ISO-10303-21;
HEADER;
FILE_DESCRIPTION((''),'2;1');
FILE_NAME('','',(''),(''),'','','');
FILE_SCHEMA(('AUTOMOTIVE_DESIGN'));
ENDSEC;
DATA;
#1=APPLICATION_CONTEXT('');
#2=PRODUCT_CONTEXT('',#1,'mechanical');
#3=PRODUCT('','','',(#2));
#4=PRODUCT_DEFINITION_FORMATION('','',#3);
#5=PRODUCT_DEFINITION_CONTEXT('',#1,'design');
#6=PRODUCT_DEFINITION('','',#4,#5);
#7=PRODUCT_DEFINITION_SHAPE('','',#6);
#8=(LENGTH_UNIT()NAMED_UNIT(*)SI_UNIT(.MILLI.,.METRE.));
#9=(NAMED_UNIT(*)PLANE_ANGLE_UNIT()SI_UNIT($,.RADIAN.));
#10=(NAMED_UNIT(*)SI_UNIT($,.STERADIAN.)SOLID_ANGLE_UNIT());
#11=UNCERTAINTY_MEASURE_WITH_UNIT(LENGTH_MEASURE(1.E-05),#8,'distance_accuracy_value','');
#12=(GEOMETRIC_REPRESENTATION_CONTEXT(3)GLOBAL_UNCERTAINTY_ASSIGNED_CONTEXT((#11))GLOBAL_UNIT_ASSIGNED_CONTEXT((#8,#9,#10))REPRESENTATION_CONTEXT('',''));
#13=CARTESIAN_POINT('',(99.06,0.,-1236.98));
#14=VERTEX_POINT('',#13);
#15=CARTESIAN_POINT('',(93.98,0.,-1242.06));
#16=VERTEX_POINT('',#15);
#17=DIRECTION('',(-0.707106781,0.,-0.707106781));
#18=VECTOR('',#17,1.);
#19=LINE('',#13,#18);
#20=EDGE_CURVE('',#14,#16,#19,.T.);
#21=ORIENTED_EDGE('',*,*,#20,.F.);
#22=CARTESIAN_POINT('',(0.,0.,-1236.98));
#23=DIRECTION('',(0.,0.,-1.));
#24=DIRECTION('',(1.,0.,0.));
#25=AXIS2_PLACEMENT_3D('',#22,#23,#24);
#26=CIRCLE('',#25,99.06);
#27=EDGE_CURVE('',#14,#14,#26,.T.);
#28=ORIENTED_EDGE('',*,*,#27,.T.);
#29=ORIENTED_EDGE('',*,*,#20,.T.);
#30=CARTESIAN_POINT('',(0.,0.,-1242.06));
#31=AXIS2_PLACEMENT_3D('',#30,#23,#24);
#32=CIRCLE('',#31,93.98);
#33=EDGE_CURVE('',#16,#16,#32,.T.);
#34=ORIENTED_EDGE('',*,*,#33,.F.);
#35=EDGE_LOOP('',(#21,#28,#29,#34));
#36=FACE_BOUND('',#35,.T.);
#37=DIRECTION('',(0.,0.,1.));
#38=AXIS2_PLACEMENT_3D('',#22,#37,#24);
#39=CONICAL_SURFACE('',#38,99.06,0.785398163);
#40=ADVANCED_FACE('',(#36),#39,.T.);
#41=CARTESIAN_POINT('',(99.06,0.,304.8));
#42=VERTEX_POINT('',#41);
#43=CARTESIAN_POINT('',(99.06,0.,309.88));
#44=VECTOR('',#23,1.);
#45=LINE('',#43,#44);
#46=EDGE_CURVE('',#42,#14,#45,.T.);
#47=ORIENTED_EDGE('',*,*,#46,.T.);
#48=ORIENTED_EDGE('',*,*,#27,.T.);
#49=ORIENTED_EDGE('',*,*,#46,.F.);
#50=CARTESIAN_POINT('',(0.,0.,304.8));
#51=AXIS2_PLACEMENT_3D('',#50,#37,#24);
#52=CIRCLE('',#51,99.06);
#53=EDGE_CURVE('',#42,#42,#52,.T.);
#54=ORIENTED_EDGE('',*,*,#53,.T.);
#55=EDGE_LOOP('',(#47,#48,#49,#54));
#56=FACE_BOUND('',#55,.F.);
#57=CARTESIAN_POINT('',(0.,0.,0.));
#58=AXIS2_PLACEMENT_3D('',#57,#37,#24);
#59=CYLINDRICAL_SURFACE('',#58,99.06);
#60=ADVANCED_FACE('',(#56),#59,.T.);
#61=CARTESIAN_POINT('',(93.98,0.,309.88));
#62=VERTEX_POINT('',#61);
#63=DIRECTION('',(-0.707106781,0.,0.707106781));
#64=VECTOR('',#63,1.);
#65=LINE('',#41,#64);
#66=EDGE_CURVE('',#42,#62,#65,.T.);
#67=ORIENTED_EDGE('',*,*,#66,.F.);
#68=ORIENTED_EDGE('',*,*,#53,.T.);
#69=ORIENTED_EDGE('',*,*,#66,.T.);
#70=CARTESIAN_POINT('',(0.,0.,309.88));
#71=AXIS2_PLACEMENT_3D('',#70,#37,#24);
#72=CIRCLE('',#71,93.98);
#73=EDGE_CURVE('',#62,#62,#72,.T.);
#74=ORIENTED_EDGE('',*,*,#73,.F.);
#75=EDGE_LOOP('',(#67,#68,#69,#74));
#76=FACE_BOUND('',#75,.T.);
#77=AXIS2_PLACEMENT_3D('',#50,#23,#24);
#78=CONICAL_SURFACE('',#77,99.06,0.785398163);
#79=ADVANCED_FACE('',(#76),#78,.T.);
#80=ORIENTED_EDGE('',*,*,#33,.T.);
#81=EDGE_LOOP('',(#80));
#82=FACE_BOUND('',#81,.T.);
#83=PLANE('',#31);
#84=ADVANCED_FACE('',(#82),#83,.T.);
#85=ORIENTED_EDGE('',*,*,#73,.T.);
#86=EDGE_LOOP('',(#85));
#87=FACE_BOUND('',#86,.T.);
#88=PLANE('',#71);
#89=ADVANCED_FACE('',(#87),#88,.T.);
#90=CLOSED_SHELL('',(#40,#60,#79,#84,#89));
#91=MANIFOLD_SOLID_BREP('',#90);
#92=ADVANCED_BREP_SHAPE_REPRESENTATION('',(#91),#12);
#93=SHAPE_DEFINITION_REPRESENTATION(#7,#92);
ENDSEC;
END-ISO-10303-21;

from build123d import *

# Parameters (mm, degrees)
F0_R      = 99.06
F1_DEPTH  = 309.88
F1_FACE_R = 99.06
F2_DEPTH  = 1242.06
F3_SIZE   = 5.08
F4_SIZE   = 5.08


with BuildPart() as f1:
    # F0 (on Top) → F1 (new body)
    with BuildSketch(Plane.XY):
        Circle(F0_R)
    extrude(amount=F1_DEPTH)

    # F1_face (on face) → F2 (join)
    with BuildSketch(Plane(origin=(0, 0, 0), x_dir=(1, 0, 0), z_dir=(0, 0, -1))):
        Circle(F1_FACE_R)
    extrude(amount=F2_DEPTH)

    # F3
    f3_edges = [f1.edges().sort_by_distance(p)[0] for p in [
        (-99.06, 0, -1242.06),
    ]]
    chamfer(f3_edges, length=F3_SIZE)

    # F4
    f4_edges = [f1.edges().sort_by_distance(p)[0] for p in [
        (-99.06, 0, 309.88),
    ]]
    chamfer(f4_edges, length=F4_SIZE)


solid = f1.part
